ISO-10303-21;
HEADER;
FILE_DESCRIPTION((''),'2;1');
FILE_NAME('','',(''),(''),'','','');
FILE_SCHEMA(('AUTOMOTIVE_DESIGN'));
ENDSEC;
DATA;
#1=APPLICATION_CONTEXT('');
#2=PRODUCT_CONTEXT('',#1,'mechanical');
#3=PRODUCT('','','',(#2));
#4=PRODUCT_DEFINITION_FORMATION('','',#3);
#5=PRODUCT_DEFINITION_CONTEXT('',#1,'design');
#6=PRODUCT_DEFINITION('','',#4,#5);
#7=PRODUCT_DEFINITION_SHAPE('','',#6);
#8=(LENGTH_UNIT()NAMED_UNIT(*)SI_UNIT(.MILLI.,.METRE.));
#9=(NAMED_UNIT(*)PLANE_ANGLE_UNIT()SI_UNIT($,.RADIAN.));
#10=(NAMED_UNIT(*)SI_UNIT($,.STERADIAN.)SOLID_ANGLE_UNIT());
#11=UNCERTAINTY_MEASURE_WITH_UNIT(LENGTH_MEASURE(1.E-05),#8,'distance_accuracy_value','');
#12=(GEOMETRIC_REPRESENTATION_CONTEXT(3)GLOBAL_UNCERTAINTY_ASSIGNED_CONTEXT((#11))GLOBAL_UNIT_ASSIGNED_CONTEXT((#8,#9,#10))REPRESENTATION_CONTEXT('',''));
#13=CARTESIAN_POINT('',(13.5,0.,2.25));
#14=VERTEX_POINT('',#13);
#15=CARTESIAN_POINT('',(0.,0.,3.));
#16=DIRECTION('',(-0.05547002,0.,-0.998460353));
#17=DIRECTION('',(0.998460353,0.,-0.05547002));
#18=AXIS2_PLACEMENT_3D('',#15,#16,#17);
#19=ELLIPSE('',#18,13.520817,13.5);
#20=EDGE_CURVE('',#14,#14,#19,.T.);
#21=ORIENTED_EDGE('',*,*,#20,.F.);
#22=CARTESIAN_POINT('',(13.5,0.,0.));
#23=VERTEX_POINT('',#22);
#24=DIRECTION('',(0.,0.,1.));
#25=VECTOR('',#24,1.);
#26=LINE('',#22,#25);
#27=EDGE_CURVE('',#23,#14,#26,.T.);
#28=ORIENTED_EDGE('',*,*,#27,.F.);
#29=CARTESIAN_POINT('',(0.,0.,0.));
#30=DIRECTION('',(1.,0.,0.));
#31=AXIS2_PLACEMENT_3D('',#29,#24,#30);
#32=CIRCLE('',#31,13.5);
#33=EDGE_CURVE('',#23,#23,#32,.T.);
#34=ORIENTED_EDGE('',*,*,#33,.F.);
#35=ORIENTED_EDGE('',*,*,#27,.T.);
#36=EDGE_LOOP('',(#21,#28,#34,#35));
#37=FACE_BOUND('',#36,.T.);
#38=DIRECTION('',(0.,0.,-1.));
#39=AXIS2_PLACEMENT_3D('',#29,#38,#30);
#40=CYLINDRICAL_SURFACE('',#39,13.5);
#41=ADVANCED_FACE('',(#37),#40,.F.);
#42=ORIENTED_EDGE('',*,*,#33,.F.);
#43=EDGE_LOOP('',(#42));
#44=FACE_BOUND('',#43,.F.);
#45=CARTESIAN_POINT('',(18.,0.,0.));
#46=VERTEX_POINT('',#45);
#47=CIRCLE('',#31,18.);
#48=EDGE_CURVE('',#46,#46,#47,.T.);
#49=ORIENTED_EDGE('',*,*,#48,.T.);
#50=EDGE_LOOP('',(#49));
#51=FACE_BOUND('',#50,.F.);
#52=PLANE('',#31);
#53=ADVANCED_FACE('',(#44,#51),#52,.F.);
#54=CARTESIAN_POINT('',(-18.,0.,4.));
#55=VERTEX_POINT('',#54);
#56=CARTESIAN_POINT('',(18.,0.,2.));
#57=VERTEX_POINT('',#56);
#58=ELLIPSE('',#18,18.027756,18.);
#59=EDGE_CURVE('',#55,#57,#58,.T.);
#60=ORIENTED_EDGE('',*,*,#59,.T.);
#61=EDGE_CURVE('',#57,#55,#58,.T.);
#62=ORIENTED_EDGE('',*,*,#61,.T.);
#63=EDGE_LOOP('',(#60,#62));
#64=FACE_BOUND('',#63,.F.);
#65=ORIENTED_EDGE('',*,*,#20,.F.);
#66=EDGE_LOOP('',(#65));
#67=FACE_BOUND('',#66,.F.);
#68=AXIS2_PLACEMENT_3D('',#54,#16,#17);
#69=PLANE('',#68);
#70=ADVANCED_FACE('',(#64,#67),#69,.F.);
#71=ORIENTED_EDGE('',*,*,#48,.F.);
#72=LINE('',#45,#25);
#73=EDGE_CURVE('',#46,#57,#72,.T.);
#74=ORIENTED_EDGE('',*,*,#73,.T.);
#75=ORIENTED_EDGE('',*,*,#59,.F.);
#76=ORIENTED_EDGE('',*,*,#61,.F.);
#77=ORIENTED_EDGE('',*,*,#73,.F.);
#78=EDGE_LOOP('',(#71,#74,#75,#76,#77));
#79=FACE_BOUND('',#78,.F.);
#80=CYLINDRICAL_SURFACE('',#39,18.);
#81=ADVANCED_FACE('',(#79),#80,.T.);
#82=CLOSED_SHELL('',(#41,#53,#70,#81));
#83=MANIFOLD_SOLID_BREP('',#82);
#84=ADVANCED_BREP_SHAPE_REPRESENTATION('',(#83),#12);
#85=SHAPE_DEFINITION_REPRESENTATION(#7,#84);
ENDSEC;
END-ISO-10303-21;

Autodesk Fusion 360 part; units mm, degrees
sketch "Sketch1" plane through (0, 0, 0) normal (0, 0, 1) x (1, 0, 0)
  circle A0 centre (0, 0) radius 18
  circle A1 centre (0, 0) radius 13.5
  dimension "d1" = 36
  dimension "d2" = 4.5
extrude "Extrude1" add sketch "Sketch1" along normal blind 4
ref_plane "WorkPlane1" through (0, 0, 2) normal (0, 0, 1) x (1, 0, 0)
sketch "Sketch2" plane through (0, 0, 0) normal (0, 1, 0) x (1, 0, 0)
  line L0 (-18, -4) -> (18, -2)
  line L1 (-18, 0) -> (18, 0)
  line L2 (18, -2) -> (19.6734, -6.6773)
  line L3 (19.6734, -6.6773) -> (-20, -6.6773)
  line L4 (-20, -6.6773) -> (-18, -4)
  dimension "d6" = 2
  dimension "d7" = 4
extrude "Extrude2" cut sketch "Sketch2" along normal mid plane 42
